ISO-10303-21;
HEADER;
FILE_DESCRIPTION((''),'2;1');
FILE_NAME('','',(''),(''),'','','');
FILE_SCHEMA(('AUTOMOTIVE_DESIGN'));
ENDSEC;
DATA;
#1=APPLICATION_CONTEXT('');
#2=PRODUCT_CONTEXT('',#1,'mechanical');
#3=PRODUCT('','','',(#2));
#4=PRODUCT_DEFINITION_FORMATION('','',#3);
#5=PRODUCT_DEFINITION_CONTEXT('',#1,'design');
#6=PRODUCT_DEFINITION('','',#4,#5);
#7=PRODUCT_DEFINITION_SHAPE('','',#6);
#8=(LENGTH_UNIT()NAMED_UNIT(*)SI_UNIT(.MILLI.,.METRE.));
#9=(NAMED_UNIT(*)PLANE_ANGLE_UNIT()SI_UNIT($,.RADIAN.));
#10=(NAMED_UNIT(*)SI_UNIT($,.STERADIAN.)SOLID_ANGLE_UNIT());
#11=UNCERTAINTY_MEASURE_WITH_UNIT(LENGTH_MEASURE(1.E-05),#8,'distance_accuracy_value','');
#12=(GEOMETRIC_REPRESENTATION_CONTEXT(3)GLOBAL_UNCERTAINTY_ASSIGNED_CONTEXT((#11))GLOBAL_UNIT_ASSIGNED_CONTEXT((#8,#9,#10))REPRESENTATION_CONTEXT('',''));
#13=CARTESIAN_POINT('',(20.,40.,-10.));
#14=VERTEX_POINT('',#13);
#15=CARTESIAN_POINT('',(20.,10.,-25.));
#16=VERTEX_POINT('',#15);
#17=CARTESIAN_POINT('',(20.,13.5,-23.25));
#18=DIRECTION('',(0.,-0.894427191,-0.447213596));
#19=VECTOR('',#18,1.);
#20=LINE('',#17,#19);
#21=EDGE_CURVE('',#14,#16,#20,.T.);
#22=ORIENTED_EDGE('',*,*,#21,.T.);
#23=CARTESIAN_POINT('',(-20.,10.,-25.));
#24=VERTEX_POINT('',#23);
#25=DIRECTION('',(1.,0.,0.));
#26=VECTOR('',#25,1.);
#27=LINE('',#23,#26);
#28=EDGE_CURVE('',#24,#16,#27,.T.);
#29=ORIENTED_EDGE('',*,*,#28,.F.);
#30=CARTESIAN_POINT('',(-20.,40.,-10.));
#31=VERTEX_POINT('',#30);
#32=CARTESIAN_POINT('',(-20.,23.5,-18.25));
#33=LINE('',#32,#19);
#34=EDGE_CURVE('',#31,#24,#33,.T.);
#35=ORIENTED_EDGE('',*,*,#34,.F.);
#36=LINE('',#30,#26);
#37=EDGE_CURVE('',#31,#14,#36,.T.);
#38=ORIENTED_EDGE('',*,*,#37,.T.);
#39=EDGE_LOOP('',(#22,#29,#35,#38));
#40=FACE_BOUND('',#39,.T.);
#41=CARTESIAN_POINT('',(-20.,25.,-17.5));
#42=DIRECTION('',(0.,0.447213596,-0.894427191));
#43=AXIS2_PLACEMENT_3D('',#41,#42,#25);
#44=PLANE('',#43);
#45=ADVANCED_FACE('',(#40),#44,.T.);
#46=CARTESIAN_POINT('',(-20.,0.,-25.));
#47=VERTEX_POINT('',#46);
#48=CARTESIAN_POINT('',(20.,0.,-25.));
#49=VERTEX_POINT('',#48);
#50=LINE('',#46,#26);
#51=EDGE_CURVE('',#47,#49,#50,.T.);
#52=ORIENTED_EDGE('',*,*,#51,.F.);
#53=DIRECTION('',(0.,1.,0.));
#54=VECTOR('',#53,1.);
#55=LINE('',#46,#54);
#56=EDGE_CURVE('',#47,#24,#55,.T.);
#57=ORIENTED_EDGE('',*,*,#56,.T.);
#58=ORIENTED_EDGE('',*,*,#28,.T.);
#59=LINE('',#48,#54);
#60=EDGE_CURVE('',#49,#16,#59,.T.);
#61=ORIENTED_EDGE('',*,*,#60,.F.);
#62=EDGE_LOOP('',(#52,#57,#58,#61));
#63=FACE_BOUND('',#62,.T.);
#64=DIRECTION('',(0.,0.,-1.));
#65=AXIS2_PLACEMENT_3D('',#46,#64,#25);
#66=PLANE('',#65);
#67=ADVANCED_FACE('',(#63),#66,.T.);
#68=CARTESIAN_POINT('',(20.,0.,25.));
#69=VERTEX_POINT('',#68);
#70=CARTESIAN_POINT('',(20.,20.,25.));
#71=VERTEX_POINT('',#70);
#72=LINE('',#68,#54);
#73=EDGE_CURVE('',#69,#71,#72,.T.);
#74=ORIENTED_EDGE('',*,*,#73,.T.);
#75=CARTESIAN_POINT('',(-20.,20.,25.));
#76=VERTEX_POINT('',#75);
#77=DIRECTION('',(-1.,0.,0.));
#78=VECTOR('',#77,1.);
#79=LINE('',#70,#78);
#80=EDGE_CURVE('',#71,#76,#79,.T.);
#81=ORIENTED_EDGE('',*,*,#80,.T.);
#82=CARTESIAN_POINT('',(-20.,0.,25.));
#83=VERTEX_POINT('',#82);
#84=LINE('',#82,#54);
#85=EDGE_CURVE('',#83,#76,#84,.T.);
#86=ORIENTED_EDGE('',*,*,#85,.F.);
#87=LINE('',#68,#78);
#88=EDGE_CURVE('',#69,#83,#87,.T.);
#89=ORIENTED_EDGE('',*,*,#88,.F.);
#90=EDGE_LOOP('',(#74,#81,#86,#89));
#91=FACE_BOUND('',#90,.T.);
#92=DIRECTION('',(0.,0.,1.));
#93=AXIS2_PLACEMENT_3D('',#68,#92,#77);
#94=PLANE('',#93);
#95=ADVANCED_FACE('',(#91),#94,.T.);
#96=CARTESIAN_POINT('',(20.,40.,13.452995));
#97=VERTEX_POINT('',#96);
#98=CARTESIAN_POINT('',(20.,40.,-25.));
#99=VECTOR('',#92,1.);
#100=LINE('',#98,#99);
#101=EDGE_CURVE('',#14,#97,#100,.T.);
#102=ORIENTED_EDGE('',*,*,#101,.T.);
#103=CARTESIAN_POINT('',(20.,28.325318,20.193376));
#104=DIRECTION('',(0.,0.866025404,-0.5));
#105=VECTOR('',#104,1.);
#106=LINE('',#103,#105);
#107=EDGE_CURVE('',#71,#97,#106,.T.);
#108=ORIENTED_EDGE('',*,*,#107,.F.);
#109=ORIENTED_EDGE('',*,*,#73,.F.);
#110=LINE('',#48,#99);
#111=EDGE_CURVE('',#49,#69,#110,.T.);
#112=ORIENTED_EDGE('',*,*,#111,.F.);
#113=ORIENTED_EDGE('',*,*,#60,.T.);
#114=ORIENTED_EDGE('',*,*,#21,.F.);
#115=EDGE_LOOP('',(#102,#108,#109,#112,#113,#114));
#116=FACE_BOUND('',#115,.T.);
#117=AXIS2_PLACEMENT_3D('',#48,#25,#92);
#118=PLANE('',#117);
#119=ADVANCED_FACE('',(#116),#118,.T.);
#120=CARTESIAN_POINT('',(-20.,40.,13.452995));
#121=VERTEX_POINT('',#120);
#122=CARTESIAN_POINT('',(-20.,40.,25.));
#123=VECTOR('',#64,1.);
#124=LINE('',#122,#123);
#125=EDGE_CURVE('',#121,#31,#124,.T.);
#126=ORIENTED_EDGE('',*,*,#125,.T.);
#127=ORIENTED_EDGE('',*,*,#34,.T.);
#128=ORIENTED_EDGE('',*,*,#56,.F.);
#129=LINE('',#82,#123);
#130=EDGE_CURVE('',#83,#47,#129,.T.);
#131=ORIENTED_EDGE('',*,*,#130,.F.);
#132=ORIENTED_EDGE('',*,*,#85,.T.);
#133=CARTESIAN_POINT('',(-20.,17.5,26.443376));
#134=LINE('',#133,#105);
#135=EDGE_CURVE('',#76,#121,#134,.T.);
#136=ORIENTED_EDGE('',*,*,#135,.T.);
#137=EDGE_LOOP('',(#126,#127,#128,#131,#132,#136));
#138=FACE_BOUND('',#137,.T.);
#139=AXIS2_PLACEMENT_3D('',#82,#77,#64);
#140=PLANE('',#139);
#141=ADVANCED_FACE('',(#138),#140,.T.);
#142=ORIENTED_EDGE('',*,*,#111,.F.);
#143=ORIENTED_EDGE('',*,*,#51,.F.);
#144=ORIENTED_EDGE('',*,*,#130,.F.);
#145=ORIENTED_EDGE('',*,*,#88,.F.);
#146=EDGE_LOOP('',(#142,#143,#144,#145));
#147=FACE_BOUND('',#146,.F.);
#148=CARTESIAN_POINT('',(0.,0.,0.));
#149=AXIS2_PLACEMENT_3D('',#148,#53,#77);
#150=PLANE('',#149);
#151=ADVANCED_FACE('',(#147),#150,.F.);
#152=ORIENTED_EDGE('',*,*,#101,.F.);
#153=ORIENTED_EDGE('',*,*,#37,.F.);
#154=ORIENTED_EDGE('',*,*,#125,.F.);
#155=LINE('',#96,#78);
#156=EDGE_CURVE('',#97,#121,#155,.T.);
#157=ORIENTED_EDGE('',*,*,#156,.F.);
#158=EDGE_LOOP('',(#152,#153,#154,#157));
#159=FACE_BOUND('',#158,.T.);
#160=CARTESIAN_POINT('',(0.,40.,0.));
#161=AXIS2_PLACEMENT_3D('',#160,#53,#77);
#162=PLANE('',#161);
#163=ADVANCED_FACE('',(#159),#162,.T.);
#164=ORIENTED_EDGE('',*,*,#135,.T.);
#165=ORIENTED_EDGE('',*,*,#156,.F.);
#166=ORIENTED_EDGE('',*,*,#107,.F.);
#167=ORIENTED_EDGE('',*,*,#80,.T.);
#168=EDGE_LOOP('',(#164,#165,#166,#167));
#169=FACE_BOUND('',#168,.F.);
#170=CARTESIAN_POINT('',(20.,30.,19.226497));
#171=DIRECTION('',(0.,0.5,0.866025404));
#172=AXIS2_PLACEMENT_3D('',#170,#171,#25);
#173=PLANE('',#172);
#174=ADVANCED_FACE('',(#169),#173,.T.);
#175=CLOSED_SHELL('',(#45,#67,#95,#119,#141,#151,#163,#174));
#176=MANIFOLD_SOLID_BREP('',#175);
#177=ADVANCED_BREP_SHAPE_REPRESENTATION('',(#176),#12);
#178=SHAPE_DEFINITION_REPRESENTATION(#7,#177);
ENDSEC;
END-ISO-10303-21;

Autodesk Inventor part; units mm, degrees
ref_plane "YZ Plane" through (0, 0, 0) normal (1, 0, 0) x (0, 1, 0)
ref_plane "XZ Plane" through (0, 0, 0) normal (0, 1, 0) x (-1, 0, 0)
ref_plane "XY Plane" through (0, 0, 0) normal (0, 0, 1) x (1, 0, 0)
sketch "Esboço1" plane through (0, 0, 0) normal (0, 1, 0) x (-1, 0, 0)
  line L0 (20, -25) -> (-20, -25)
  line L1 (-20, -25) -> (-20, 25)
  line L2 (-20, 25) -> (20, 25)
  line L3 (20, 25) -> (20, -25)
  line L4 (20, -25) -> (-20, 25) construction
  line L5 (-20, -25) -> (20, 25) construction
  point P0 (0, 0)
  dimension "d0" = 40
  dimension "d1" = 50
extrude "Extrusão1" add sketch "Esboço1" along normal blind 40
chamfer "Chanfro1" distance 20 angle 30 1 edges at (0, 40, 25) measured on face at (-6.6667, 13.3333, 25)
chamfer "Chanfro2" distance 15 distance2 30 1 edges at (0, 40, -25) measured on face at (6.6667, 40, 0.6353)
properties part number "3D Model"
